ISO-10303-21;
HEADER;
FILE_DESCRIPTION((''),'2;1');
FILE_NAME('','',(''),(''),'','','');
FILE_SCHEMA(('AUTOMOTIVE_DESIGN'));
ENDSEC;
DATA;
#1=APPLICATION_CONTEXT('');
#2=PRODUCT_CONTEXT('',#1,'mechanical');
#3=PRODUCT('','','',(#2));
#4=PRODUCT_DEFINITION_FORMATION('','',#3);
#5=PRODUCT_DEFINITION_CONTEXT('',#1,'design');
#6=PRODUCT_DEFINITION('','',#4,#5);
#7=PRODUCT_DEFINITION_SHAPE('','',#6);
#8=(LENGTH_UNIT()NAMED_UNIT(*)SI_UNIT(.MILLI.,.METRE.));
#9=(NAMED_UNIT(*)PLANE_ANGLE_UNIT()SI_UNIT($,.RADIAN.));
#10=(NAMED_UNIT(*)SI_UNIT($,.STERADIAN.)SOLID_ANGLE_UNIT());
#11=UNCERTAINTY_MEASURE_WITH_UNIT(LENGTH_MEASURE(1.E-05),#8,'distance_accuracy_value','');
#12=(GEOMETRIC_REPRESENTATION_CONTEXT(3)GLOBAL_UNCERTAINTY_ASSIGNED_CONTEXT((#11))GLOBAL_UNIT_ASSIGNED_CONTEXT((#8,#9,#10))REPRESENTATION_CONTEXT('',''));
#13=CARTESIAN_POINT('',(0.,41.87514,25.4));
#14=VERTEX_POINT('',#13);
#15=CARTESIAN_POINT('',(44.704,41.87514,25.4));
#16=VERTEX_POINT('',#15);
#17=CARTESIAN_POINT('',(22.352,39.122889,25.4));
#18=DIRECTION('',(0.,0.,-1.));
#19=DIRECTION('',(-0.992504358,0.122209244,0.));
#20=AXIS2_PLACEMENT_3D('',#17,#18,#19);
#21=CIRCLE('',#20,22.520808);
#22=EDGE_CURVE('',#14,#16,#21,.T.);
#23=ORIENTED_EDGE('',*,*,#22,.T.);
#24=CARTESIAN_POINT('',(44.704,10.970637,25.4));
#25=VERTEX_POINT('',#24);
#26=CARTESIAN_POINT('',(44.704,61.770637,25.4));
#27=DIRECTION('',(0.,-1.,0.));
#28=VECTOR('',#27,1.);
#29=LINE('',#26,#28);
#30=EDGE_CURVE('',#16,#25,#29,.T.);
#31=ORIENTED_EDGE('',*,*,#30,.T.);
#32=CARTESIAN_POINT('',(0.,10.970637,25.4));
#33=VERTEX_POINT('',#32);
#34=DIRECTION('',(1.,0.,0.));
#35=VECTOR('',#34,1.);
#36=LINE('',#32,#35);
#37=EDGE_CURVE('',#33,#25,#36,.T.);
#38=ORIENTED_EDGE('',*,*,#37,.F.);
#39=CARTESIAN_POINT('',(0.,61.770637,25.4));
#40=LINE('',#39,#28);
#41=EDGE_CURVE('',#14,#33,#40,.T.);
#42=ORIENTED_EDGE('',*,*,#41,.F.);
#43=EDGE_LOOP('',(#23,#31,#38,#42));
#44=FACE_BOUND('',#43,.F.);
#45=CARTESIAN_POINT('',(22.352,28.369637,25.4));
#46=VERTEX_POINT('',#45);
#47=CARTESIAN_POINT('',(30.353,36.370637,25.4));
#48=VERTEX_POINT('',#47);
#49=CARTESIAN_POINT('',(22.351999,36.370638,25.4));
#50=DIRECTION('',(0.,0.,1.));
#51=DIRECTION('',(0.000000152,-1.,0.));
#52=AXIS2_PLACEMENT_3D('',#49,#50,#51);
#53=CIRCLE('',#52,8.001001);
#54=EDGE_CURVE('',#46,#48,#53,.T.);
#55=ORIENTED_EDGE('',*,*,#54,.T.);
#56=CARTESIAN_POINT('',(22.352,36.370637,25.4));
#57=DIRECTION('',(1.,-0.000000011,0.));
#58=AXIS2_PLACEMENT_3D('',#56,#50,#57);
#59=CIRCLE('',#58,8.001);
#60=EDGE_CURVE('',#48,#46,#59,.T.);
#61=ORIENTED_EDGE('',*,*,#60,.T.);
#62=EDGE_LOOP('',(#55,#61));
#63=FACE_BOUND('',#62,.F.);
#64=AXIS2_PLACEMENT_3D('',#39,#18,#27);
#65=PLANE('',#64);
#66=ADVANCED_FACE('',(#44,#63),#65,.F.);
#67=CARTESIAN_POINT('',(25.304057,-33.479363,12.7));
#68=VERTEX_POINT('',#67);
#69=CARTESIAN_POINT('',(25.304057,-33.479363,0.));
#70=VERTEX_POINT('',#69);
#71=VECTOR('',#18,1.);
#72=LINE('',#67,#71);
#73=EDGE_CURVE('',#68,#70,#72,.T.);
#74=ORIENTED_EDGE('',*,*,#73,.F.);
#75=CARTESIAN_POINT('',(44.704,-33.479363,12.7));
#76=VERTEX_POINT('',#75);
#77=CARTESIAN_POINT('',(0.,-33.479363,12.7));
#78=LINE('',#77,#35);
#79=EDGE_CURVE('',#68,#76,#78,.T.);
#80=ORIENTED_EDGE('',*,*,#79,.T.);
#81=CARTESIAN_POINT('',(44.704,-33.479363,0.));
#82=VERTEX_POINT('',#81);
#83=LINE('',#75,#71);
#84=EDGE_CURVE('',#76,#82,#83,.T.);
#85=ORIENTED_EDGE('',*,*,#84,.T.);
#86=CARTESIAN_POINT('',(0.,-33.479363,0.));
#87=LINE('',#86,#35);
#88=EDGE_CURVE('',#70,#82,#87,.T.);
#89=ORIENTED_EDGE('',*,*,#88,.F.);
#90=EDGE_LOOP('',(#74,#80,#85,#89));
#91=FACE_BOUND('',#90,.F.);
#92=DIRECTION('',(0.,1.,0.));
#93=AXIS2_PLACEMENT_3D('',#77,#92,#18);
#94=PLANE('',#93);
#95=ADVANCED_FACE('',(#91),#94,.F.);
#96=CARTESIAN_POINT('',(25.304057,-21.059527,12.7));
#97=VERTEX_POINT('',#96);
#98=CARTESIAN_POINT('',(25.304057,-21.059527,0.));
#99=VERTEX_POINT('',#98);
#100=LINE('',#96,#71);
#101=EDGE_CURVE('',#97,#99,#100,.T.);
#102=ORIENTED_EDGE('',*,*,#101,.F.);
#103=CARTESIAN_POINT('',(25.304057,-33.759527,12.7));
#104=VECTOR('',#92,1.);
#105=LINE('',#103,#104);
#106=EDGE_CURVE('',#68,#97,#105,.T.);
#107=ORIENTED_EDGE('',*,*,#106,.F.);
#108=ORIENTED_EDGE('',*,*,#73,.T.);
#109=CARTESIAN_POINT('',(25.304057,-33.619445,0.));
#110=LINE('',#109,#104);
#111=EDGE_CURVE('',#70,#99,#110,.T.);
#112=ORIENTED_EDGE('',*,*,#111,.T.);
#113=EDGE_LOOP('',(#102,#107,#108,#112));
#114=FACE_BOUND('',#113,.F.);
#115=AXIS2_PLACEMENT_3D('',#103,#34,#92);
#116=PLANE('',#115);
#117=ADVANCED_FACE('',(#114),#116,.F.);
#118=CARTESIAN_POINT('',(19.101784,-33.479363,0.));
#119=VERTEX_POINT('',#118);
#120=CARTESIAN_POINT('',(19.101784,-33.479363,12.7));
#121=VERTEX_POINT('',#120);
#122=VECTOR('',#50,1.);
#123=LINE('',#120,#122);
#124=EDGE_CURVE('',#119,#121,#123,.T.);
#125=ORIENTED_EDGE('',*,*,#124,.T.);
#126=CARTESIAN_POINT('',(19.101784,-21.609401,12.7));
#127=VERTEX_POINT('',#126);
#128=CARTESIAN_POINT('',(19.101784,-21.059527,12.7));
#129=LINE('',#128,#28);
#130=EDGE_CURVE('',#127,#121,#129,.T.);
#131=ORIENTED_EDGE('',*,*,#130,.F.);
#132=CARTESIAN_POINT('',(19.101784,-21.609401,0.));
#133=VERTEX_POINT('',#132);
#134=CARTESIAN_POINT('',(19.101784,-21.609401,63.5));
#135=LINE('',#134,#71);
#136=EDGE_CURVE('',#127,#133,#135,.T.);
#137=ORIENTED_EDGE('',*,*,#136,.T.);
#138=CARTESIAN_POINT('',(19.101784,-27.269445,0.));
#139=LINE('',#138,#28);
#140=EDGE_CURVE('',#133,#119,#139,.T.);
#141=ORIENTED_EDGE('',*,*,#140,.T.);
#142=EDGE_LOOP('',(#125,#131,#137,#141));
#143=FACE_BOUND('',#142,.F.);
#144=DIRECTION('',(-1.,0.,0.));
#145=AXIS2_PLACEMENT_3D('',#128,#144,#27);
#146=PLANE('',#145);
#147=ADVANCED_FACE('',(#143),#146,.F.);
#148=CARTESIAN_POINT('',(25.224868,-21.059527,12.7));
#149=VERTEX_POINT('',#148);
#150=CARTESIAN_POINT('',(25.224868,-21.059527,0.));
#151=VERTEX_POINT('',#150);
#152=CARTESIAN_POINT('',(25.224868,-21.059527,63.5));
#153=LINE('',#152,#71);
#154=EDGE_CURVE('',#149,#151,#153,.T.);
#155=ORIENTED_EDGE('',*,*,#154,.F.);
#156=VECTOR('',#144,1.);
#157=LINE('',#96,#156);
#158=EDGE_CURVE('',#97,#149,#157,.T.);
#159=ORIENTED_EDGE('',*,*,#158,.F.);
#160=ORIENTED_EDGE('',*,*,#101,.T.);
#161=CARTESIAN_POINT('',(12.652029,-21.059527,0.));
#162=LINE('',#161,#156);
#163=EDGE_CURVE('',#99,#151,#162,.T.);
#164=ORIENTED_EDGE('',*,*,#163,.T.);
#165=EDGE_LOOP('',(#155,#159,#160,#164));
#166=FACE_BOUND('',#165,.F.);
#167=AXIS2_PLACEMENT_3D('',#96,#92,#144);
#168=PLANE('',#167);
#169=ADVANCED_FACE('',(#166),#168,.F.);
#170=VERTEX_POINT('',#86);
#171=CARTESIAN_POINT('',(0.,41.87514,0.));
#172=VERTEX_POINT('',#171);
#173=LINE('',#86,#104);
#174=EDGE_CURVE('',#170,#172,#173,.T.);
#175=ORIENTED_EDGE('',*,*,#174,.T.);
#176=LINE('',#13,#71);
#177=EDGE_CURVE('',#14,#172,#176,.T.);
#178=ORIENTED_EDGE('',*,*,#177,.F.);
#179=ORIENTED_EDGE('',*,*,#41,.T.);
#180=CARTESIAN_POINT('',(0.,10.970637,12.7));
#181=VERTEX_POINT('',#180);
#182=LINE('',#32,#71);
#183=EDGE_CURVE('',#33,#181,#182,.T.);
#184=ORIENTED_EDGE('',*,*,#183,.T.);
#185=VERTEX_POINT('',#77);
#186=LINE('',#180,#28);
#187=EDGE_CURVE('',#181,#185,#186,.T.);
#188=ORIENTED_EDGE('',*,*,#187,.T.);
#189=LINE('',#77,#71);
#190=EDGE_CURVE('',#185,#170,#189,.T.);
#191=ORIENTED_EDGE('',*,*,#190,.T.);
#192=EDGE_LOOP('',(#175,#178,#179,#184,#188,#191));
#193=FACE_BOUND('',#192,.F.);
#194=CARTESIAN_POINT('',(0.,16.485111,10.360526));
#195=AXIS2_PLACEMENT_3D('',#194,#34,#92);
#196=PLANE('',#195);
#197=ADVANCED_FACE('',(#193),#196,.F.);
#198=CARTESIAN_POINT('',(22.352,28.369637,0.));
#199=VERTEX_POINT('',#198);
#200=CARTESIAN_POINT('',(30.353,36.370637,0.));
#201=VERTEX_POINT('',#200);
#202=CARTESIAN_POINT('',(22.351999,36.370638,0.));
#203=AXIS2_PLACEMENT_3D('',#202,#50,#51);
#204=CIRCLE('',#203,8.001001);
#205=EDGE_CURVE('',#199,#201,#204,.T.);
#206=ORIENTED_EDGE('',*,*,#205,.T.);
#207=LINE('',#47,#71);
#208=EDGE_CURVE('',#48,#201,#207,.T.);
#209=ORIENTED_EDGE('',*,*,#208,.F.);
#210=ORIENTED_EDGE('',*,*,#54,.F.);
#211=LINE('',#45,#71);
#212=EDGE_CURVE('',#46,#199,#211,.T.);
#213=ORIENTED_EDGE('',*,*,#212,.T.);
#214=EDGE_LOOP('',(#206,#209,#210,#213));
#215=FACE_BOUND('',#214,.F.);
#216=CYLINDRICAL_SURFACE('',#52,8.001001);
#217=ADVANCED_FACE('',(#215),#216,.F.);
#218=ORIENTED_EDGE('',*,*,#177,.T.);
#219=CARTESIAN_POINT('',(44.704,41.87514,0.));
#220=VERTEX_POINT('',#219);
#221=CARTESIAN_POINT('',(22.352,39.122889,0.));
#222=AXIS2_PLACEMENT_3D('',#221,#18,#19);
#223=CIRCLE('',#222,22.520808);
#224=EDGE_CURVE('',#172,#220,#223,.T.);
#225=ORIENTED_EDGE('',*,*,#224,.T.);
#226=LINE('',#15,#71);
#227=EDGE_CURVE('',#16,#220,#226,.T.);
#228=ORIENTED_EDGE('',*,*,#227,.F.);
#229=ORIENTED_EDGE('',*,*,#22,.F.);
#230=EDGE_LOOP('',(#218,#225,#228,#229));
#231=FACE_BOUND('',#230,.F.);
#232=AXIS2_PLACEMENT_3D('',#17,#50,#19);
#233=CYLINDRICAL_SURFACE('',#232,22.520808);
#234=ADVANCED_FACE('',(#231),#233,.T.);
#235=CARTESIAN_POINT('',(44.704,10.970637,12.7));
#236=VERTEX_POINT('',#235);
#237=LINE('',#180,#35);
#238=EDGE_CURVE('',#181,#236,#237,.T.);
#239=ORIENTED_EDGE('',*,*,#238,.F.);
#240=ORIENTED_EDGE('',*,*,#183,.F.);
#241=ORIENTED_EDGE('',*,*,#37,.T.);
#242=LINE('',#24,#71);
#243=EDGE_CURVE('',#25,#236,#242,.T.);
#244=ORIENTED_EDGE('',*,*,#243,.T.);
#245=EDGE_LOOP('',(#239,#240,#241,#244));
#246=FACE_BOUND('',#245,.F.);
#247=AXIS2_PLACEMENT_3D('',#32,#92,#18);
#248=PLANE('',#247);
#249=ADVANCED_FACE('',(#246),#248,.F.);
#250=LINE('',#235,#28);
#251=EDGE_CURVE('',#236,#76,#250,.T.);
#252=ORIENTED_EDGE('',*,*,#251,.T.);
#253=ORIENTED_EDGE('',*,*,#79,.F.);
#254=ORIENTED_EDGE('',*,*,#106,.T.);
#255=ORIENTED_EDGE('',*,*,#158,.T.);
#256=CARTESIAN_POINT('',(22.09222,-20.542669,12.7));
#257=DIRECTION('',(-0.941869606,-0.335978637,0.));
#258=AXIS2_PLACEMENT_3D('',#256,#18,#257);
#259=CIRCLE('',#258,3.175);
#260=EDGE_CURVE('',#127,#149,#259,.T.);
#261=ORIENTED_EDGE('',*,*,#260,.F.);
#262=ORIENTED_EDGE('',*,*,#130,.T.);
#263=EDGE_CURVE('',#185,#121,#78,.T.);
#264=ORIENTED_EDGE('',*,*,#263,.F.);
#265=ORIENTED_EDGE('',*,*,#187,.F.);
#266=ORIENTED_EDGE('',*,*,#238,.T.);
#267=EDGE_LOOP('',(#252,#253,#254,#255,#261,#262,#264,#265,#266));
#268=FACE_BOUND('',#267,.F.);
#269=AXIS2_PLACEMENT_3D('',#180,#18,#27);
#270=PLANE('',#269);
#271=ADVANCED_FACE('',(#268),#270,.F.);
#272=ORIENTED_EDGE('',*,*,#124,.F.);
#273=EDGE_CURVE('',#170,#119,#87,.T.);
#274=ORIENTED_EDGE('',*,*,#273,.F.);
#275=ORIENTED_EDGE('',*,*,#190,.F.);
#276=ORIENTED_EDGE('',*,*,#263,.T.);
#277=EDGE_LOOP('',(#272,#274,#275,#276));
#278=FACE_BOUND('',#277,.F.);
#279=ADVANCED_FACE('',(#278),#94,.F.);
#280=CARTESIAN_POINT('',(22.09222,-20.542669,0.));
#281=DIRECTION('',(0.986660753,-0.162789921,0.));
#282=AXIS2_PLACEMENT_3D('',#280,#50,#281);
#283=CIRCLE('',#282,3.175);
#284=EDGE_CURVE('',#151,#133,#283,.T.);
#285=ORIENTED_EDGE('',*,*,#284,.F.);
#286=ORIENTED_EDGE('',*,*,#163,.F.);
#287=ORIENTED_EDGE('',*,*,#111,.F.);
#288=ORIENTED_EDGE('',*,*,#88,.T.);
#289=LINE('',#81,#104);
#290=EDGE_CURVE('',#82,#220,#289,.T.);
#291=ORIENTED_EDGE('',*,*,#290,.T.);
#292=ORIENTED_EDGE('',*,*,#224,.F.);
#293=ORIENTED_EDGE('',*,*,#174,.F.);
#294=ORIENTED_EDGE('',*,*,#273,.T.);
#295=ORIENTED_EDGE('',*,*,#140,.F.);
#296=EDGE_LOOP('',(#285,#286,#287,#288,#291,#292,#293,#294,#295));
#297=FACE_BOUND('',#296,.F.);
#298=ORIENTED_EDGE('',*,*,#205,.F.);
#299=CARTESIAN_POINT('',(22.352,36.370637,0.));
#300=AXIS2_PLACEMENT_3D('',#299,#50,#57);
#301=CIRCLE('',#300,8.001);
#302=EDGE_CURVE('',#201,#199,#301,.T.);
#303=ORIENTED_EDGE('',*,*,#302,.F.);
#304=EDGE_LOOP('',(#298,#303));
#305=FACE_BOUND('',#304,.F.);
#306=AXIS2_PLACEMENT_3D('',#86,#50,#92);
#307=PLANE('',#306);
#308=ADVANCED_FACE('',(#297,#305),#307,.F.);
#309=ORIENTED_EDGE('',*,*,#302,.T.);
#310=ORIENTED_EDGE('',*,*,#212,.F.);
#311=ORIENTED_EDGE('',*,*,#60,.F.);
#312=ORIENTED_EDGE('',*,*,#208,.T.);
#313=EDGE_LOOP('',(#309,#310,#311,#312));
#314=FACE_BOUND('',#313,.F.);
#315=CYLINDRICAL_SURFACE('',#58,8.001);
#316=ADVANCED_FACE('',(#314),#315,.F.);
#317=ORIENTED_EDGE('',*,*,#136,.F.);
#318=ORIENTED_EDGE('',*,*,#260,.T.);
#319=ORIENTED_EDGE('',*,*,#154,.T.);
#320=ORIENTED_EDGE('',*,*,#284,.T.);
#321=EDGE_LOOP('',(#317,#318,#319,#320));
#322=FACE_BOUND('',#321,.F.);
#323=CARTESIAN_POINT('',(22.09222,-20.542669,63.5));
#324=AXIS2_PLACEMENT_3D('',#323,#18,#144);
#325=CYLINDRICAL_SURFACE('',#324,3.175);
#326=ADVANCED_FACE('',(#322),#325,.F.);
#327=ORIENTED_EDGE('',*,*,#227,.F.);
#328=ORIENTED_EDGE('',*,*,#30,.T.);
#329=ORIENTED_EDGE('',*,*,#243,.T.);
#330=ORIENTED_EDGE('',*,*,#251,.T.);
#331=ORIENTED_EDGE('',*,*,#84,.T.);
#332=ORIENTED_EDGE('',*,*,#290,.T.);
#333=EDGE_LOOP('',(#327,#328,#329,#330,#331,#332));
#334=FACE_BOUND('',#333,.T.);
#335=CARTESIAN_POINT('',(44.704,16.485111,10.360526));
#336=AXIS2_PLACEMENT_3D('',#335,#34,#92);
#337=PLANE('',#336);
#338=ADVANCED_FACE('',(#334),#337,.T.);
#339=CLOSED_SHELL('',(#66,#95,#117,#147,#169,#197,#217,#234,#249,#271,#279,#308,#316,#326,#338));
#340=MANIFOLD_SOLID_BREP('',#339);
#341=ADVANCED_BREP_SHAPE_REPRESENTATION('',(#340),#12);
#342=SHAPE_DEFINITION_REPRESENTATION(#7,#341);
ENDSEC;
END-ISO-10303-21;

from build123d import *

# Parameters (mm, degrees)
F1_DEPTH  = 44.704
F4_D      = 6.35
F4_DEPTH  = 50.8
F6_DEPTH  = 25.4
F8_DEPTH  = 25.4
F10_DEPTH = 25.4


with BuildPart() as f1:
    # F0 (on Right) → F1 (new body)
    with BuildSketch(Plane.YZ):
        Polygon((-33.479363, 12.7), (-33.479363, 0), (61.770637, 0), (61.770637, 25.4), (10.970637, 25.4), (10.970637, 12.7), align=None)
    extrude(amount=F1_DEPTH)

    # F4
    with Locations(Plane.XY.offset(12.7)):
        with Locations((22.09222, -20.542669)):
            Hole(F4_D / 2, depth=F4_DEPTH)

    # F5 (on face) → F6 (cut)
    with BuildSketch(Plane.XY.offset(12.7)):
        Polygon((25.304057, -21.059527), (19.101784, -21.059527), (19.101784, -33.980933), (25.304057, -33.759527), align=None)
    extrude(amount=-F6_DEPTH, mode=Mode.SUBTRACT)

    # F7 (on face) → F8 (cut)
    with BuildSketch(Plane.XY.offset(25.4)):
        with BuildLine():
            ThreePointArc((0, 41.87514), (22.352, 61.643697), (44.704, 41.87514))
            Line((44.704, 41.87514), (44.704, 61.770637))
            Line((44.704, 61.770637), (0, 61.770637))
            Line((0, 61.770637), (0, 41.87514))
        make_face()
    extrude(amount=-F8_DEPTH, mode=Mode.SUBTRACT)

    # F9 (on face) → F10 (cut)
    with BuildSketch(Plane.XY.offset(25.4)):
        with BuildLine():
            ThreePointArc((30.353, 36.370637), (16.694439, 42.028199), (22.352, 28.369637))
            ThreePointArc((22.352, 28.369637), (28.009561, 30.713076), (30.353, 36.370637))
        make_face()
    extrude(amount=-F10_DEPTH, mode=Mode.SUBTRACT)


solid = f1.part
